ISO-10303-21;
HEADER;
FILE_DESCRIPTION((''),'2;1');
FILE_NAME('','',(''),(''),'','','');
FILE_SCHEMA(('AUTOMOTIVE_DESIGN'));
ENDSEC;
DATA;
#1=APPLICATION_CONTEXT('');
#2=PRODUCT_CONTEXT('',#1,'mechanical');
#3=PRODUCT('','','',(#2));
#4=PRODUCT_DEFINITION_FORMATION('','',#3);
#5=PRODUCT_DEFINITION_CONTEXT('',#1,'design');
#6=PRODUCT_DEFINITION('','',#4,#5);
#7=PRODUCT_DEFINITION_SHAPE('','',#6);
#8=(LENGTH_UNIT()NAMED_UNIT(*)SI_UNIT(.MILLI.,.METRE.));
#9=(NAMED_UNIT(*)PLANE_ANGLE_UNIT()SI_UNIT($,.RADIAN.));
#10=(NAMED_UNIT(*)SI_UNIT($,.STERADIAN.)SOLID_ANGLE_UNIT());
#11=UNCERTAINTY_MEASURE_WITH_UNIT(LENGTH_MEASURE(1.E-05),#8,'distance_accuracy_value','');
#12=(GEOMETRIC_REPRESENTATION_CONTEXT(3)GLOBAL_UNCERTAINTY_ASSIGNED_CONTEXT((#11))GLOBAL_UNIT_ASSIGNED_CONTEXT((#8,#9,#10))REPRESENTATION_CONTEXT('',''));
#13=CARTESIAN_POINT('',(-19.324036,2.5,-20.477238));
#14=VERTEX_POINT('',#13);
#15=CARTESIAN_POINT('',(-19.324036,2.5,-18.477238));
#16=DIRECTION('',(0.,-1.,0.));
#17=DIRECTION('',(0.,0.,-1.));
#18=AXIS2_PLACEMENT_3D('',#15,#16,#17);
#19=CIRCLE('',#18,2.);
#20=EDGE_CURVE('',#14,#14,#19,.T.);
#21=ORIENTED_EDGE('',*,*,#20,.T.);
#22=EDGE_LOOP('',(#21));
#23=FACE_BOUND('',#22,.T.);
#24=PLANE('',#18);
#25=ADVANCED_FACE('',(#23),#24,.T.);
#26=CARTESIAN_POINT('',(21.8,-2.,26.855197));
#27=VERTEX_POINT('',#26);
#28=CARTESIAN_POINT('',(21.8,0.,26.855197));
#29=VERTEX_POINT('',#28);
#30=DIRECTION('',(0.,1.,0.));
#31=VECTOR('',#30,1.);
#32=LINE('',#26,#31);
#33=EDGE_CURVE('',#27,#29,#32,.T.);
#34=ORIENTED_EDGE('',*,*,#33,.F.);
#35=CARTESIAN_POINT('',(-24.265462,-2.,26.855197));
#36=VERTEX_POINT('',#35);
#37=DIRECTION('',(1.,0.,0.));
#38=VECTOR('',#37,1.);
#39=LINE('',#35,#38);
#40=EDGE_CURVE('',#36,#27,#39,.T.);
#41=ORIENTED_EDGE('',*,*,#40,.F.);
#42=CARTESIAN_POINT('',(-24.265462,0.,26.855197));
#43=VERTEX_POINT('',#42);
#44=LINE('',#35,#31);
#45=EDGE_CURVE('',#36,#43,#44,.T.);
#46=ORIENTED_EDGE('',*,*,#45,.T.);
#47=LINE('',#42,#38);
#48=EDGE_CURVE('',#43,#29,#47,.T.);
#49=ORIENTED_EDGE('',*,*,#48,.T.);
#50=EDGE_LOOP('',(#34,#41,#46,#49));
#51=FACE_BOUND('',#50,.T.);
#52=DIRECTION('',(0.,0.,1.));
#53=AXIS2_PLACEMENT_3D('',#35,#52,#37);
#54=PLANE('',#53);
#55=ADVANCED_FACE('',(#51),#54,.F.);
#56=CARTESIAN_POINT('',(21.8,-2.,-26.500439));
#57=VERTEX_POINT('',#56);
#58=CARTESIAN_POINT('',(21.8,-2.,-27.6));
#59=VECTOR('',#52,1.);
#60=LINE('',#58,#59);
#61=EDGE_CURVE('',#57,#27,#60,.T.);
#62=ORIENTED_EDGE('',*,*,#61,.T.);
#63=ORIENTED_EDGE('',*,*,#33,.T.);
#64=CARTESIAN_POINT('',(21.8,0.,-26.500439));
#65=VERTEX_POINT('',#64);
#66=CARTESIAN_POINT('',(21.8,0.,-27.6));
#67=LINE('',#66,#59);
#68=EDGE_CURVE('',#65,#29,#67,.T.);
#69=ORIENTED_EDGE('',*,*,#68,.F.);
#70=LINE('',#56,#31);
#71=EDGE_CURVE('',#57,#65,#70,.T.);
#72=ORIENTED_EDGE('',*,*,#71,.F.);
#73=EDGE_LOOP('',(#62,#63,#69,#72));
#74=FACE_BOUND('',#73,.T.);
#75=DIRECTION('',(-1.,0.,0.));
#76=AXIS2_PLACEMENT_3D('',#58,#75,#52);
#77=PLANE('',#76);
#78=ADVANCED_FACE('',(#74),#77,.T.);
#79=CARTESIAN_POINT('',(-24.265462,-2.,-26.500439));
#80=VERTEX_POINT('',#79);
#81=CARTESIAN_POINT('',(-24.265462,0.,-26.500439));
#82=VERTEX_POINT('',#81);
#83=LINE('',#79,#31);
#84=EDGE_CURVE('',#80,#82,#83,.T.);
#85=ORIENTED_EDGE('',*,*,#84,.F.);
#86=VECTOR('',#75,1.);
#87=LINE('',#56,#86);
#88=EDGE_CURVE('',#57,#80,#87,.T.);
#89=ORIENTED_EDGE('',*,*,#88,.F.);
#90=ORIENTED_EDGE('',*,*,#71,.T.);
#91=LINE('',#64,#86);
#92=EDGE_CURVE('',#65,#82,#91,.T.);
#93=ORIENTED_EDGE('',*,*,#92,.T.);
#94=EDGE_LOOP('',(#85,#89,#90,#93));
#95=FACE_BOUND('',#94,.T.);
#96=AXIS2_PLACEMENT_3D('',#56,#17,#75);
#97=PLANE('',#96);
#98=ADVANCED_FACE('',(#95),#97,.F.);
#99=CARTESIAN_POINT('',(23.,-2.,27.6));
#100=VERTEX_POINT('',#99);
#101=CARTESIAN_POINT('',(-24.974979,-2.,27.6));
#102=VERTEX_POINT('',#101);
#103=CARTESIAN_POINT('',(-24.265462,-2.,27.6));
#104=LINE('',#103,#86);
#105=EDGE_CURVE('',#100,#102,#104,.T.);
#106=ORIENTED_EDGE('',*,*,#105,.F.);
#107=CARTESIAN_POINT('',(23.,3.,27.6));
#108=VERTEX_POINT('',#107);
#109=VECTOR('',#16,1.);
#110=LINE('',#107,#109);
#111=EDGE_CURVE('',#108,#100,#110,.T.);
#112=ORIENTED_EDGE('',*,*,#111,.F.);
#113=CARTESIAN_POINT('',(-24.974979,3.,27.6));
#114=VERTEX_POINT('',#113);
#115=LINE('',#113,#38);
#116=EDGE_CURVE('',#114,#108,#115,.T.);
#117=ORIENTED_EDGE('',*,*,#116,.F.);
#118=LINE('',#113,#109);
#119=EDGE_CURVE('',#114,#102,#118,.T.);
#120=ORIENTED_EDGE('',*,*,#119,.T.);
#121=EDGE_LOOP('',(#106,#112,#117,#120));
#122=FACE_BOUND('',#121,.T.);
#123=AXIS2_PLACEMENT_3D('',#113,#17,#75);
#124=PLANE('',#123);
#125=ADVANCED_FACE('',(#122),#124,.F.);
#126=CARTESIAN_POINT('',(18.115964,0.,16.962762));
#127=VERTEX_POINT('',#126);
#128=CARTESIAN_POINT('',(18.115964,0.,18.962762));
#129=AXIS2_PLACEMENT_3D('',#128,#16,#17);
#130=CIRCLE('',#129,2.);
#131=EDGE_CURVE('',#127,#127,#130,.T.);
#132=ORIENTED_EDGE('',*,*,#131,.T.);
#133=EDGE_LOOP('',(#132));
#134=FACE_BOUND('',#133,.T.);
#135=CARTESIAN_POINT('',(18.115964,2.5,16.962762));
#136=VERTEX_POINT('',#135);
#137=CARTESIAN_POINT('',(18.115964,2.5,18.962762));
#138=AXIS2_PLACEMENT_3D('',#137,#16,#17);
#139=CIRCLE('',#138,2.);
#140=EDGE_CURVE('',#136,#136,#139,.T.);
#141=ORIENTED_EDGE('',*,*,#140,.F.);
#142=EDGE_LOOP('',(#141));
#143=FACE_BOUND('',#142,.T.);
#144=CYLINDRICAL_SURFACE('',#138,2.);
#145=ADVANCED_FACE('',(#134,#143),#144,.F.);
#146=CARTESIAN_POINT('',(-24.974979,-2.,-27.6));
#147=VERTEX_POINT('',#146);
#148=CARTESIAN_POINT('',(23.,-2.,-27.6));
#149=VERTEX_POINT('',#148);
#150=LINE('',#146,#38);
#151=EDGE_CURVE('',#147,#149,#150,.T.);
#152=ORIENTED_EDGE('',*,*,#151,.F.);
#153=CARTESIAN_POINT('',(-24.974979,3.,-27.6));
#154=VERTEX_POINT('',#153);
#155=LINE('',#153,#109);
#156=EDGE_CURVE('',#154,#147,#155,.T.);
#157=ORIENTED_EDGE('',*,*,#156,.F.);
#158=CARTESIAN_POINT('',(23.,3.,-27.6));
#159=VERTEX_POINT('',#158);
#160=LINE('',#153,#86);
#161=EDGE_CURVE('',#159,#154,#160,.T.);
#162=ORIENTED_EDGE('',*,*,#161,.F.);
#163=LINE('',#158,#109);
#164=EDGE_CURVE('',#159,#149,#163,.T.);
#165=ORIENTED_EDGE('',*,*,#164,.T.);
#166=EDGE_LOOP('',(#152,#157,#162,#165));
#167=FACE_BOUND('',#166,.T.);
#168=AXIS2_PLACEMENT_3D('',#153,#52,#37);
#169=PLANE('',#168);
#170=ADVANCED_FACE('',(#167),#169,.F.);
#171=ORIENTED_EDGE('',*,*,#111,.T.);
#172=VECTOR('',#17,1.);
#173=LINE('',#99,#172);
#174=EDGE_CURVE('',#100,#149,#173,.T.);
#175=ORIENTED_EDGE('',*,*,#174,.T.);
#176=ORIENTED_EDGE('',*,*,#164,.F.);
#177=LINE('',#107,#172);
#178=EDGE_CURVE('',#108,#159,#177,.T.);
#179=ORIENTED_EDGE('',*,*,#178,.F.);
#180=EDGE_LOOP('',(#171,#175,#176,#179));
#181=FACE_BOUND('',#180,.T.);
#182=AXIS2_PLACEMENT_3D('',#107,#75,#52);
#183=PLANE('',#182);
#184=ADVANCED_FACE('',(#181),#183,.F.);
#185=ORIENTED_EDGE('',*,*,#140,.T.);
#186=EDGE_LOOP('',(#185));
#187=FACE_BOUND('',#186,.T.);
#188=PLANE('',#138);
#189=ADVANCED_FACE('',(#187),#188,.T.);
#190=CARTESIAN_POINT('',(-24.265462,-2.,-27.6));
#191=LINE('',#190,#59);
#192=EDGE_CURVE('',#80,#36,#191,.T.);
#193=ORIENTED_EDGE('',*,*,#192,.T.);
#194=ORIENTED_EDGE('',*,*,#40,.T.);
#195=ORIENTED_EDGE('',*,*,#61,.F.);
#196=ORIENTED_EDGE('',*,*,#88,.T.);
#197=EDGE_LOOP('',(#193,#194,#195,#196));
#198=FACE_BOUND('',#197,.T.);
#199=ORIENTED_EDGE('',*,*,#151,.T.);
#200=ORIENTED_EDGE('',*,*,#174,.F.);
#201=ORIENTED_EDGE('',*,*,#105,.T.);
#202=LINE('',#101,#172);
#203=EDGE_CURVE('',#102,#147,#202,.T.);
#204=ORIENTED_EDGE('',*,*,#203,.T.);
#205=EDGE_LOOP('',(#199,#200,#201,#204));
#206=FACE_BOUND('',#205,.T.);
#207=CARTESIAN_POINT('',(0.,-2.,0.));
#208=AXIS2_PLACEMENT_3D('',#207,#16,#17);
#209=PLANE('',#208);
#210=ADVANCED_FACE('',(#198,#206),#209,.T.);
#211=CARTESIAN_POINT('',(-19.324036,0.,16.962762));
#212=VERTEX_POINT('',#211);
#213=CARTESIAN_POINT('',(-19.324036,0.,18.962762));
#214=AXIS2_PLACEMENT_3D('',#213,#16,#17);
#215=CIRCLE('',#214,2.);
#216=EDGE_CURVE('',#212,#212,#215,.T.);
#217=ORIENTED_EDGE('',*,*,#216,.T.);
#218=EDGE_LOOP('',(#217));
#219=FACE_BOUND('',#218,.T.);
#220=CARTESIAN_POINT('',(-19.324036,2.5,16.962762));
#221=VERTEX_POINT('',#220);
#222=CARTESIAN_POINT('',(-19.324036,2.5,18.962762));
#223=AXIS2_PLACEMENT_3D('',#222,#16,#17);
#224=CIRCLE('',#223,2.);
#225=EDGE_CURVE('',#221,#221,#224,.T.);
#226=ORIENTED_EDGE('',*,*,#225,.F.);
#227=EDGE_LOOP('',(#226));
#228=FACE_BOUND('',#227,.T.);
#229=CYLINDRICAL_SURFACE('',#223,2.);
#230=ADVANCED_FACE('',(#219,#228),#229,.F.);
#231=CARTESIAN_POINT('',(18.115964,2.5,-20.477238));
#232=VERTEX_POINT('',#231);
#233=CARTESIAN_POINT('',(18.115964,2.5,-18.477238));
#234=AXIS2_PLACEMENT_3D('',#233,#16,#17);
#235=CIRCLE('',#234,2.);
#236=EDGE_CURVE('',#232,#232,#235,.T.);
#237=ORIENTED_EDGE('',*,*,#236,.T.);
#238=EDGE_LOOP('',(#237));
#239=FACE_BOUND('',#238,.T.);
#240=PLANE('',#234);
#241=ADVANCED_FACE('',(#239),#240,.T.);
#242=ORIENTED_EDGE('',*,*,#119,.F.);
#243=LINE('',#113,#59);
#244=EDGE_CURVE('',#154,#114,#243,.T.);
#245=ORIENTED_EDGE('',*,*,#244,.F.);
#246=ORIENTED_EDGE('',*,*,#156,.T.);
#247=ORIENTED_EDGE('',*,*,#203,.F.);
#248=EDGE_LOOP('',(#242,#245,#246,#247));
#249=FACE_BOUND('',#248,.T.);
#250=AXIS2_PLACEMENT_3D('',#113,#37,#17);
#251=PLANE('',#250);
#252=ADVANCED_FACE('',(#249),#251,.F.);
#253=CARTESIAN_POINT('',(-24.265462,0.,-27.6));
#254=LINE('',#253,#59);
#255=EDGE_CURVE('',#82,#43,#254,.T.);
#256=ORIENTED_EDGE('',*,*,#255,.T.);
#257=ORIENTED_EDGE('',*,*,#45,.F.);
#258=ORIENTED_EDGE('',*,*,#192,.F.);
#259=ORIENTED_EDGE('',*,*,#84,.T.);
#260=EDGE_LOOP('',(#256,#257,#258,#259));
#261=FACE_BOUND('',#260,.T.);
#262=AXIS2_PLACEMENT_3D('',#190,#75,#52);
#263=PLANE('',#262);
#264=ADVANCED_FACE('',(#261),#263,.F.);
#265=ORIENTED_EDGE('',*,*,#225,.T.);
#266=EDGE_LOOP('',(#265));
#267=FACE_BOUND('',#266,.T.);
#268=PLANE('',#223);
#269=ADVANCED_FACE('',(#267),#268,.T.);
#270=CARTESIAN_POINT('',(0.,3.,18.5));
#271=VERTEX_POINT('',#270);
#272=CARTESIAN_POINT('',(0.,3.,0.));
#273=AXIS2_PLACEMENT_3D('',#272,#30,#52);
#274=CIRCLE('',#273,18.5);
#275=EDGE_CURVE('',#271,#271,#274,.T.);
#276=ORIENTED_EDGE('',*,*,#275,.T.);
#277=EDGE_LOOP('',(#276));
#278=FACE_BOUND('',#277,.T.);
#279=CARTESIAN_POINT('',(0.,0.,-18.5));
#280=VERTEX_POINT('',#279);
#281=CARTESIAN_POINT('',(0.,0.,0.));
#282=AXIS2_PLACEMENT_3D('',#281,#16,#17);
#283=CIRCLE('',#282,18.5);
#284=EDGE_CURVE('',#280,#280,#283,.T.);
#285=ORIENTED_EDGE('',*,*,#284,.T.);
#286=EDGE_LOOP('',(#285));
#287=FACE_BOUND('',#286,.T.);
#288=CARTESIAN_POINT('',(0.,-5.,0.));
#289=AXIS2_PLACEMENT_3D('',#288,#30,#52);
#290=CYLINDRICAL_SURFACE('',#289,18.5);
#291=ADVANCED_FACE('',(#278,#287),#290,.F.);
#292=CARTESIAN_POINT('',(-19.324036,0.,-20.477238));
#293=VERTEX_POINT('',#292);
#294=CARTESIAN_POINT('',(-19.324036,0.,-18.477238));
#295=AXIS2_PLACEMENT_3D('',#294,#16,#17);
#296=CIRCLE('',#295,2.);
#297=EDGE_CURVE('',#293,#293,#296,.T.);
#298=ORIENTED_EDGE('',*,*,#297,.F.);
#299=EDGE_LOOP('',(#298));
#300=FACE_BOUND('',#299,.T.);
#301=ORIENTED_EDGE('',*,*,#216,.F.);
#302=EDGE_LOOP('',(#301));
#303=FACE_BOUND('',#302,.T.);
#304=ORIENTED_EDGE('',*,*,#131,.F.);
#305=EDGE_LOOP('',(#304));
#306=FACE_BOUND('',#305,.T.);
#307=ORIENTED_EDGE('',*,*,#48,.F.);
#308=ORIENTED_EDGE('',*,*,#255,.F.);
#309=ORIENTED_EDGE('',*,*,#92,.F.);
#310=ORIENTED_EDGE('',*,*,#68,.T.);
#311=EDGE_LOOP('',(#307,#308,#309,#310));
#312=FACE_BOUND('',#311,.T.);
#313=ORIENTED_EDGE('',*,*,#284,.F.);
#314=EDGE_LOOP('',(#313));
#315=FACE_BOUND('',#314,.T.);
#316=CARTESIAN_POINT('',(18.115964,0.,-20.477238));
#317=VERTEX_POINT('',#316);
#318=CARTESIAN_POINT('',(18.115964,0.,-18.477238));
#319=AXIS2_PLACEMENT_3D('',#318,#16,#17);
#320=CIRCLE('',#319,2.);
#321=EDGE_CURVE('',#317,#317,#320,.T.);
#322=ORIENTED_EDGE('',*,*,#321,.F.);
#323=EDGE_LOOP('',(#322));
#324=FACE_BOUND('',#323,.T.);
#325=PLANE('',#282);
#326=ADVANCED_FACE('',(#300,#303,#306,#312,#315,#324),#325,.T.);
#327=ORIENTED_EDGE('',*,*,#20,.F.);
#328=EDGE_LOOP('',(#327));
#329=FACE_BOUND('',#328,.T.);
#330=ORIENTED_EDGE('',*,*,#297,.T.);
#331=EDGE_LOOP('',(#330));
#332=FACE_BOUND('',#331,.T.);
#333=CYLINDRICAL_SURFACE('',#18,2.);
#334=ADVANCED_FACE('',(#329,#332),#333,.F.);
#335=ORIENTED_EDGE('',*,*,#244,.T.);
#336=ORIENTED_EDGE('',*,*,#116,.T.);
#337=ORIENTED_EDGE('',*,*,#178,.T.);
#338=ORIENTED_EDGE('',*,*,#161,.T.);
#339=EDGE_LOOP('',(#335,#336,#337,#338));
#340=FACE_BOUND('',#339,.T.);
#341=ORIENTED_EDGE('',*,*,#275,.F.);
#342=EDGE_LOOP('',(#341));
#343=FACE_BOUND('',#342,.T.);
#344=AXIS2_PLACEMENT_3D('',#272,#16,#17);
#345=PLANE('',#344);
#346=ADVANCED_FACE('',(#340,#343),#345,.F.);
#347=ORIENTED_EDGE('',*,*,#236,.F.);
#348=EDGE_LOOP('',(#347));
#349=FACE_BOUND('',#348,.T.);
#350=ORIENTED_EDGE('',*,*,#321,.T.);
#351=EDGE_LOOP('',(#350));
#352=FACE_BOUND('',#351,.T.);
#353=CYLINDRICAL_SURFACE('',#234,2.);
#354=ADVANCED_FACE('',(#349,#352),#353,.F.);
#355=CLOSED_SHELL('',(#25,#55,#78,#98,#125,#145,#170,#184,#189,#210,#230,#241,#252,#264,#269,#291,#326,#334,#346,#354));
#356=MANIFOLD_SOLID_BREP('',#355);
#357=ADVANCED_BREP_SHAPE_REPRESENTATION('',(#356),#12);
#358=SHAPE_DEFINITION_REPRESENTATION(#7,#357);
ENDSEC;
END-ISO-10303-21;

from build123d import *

# Parameters (mm, degrees)
SKETCH1_W           = 47.974978614
SKETCH1_H           = 55.2
BOSS_EXTRUDE1_DEPTH = 3
SKETCH3_R           = 18.5
CUT_EXTRUDE2_DEPTH  = 8
SKETCH7_W           = 0.709516438
SKETCH7_H           = 55.2
SKETCH7_W_2         = 1.2
BOSS_EXTRUDE2_DEPTH = 2
SKETCH8_W           = 46.065462176
SKETCH8_H           = 0.744802826
SKETCH8_H_2         = 1.099561045
BOSS_EXTRUDE3_DEPTH = 2
SKETCH9_R           = 2
CUT_EXTRUDE4_DEPTH  = 2.5


with BuildPart() as part:
    # Sketch1 → Boss-Extrude1 (new body)
    with BuildSketch(Plane(origin=(0, 0, 0), x_dir=(1, 0, 0), z_dir=(0, 1, 0))):
        with Locations((-0.987489307, 0)):
            Rectangle(SKETCH1_W, SKETCH1_H)
    extrude(amount=BOSS_EXTRUDE1_DEPTH)

    # Sketch3 → Cut-Extrude2 (cut)
    with BuildSketch(Plane(origin=(0, 3, 0), x_dir=(1, 0, 0), z_dir=(0, 1, 0))):
        with Locations(Location((0, 0, 0), (0, 0, 270))):
            Circle(SKETCH3_R)
    extrude(amount=-CUT_EXTRUDE2_DEPTH, mode=Mode.SUBTRACT)

    # Sketch7 → Boss-Extrude2 (add)
    with BuildSketch(Plane.XZ):
        with Locations((-24.620220395, 0)):
            Rectangle(SKETCH7_W, SKETCH7_H)
        with Locations((22.4, 0)):
            Rectangle(SKETCH7_W_2, SKETCH7_H)
    extrude(amount=BOSS_EXTRUDE2_DEPTH)

    # Sketch8 → Boss-Extrude3 (add)
    with BuildSketch(Plane.XZ):
        with Locations((-1.232731088, 27.227598587)):
            Rectangle(SKETCH8_W, SKETCH8_H)
        with Locations((-1.232731088, -27.050219478)):
            Rectangle(SKETCH8_W, SKETCH8_H_2)
    extrude(amount=BOSS_EXTRUDE3_DEPTH)

    # Sketch9 → Cut-Extrude4 (cut)
    with BuildSketch(Plane.XZ):
        with Locations(Location((-19.324035892, 18.962761771, 0), (0, 0, 270))):
            Circle(SKETCH9_R)
        with Locations(Location((18.115964108, 18.962761771, 0), (0, 0, 270))):
            Circle(SKETCH9_R)
        with Locations(Location((-19.324035892, -18.477238229, 0), (0, 0, 270))):
            Circle(SKETCH9_R)
        with Locations(Location((18.115964108, -18.477238229, 0), (0, 0, 270))):
            Circle(SKETCH9_R)
    extrude(amount=-CUT_EXTRUDE4_DEPTH, mode=Mode.SUBTRACT)


solid = part.part
